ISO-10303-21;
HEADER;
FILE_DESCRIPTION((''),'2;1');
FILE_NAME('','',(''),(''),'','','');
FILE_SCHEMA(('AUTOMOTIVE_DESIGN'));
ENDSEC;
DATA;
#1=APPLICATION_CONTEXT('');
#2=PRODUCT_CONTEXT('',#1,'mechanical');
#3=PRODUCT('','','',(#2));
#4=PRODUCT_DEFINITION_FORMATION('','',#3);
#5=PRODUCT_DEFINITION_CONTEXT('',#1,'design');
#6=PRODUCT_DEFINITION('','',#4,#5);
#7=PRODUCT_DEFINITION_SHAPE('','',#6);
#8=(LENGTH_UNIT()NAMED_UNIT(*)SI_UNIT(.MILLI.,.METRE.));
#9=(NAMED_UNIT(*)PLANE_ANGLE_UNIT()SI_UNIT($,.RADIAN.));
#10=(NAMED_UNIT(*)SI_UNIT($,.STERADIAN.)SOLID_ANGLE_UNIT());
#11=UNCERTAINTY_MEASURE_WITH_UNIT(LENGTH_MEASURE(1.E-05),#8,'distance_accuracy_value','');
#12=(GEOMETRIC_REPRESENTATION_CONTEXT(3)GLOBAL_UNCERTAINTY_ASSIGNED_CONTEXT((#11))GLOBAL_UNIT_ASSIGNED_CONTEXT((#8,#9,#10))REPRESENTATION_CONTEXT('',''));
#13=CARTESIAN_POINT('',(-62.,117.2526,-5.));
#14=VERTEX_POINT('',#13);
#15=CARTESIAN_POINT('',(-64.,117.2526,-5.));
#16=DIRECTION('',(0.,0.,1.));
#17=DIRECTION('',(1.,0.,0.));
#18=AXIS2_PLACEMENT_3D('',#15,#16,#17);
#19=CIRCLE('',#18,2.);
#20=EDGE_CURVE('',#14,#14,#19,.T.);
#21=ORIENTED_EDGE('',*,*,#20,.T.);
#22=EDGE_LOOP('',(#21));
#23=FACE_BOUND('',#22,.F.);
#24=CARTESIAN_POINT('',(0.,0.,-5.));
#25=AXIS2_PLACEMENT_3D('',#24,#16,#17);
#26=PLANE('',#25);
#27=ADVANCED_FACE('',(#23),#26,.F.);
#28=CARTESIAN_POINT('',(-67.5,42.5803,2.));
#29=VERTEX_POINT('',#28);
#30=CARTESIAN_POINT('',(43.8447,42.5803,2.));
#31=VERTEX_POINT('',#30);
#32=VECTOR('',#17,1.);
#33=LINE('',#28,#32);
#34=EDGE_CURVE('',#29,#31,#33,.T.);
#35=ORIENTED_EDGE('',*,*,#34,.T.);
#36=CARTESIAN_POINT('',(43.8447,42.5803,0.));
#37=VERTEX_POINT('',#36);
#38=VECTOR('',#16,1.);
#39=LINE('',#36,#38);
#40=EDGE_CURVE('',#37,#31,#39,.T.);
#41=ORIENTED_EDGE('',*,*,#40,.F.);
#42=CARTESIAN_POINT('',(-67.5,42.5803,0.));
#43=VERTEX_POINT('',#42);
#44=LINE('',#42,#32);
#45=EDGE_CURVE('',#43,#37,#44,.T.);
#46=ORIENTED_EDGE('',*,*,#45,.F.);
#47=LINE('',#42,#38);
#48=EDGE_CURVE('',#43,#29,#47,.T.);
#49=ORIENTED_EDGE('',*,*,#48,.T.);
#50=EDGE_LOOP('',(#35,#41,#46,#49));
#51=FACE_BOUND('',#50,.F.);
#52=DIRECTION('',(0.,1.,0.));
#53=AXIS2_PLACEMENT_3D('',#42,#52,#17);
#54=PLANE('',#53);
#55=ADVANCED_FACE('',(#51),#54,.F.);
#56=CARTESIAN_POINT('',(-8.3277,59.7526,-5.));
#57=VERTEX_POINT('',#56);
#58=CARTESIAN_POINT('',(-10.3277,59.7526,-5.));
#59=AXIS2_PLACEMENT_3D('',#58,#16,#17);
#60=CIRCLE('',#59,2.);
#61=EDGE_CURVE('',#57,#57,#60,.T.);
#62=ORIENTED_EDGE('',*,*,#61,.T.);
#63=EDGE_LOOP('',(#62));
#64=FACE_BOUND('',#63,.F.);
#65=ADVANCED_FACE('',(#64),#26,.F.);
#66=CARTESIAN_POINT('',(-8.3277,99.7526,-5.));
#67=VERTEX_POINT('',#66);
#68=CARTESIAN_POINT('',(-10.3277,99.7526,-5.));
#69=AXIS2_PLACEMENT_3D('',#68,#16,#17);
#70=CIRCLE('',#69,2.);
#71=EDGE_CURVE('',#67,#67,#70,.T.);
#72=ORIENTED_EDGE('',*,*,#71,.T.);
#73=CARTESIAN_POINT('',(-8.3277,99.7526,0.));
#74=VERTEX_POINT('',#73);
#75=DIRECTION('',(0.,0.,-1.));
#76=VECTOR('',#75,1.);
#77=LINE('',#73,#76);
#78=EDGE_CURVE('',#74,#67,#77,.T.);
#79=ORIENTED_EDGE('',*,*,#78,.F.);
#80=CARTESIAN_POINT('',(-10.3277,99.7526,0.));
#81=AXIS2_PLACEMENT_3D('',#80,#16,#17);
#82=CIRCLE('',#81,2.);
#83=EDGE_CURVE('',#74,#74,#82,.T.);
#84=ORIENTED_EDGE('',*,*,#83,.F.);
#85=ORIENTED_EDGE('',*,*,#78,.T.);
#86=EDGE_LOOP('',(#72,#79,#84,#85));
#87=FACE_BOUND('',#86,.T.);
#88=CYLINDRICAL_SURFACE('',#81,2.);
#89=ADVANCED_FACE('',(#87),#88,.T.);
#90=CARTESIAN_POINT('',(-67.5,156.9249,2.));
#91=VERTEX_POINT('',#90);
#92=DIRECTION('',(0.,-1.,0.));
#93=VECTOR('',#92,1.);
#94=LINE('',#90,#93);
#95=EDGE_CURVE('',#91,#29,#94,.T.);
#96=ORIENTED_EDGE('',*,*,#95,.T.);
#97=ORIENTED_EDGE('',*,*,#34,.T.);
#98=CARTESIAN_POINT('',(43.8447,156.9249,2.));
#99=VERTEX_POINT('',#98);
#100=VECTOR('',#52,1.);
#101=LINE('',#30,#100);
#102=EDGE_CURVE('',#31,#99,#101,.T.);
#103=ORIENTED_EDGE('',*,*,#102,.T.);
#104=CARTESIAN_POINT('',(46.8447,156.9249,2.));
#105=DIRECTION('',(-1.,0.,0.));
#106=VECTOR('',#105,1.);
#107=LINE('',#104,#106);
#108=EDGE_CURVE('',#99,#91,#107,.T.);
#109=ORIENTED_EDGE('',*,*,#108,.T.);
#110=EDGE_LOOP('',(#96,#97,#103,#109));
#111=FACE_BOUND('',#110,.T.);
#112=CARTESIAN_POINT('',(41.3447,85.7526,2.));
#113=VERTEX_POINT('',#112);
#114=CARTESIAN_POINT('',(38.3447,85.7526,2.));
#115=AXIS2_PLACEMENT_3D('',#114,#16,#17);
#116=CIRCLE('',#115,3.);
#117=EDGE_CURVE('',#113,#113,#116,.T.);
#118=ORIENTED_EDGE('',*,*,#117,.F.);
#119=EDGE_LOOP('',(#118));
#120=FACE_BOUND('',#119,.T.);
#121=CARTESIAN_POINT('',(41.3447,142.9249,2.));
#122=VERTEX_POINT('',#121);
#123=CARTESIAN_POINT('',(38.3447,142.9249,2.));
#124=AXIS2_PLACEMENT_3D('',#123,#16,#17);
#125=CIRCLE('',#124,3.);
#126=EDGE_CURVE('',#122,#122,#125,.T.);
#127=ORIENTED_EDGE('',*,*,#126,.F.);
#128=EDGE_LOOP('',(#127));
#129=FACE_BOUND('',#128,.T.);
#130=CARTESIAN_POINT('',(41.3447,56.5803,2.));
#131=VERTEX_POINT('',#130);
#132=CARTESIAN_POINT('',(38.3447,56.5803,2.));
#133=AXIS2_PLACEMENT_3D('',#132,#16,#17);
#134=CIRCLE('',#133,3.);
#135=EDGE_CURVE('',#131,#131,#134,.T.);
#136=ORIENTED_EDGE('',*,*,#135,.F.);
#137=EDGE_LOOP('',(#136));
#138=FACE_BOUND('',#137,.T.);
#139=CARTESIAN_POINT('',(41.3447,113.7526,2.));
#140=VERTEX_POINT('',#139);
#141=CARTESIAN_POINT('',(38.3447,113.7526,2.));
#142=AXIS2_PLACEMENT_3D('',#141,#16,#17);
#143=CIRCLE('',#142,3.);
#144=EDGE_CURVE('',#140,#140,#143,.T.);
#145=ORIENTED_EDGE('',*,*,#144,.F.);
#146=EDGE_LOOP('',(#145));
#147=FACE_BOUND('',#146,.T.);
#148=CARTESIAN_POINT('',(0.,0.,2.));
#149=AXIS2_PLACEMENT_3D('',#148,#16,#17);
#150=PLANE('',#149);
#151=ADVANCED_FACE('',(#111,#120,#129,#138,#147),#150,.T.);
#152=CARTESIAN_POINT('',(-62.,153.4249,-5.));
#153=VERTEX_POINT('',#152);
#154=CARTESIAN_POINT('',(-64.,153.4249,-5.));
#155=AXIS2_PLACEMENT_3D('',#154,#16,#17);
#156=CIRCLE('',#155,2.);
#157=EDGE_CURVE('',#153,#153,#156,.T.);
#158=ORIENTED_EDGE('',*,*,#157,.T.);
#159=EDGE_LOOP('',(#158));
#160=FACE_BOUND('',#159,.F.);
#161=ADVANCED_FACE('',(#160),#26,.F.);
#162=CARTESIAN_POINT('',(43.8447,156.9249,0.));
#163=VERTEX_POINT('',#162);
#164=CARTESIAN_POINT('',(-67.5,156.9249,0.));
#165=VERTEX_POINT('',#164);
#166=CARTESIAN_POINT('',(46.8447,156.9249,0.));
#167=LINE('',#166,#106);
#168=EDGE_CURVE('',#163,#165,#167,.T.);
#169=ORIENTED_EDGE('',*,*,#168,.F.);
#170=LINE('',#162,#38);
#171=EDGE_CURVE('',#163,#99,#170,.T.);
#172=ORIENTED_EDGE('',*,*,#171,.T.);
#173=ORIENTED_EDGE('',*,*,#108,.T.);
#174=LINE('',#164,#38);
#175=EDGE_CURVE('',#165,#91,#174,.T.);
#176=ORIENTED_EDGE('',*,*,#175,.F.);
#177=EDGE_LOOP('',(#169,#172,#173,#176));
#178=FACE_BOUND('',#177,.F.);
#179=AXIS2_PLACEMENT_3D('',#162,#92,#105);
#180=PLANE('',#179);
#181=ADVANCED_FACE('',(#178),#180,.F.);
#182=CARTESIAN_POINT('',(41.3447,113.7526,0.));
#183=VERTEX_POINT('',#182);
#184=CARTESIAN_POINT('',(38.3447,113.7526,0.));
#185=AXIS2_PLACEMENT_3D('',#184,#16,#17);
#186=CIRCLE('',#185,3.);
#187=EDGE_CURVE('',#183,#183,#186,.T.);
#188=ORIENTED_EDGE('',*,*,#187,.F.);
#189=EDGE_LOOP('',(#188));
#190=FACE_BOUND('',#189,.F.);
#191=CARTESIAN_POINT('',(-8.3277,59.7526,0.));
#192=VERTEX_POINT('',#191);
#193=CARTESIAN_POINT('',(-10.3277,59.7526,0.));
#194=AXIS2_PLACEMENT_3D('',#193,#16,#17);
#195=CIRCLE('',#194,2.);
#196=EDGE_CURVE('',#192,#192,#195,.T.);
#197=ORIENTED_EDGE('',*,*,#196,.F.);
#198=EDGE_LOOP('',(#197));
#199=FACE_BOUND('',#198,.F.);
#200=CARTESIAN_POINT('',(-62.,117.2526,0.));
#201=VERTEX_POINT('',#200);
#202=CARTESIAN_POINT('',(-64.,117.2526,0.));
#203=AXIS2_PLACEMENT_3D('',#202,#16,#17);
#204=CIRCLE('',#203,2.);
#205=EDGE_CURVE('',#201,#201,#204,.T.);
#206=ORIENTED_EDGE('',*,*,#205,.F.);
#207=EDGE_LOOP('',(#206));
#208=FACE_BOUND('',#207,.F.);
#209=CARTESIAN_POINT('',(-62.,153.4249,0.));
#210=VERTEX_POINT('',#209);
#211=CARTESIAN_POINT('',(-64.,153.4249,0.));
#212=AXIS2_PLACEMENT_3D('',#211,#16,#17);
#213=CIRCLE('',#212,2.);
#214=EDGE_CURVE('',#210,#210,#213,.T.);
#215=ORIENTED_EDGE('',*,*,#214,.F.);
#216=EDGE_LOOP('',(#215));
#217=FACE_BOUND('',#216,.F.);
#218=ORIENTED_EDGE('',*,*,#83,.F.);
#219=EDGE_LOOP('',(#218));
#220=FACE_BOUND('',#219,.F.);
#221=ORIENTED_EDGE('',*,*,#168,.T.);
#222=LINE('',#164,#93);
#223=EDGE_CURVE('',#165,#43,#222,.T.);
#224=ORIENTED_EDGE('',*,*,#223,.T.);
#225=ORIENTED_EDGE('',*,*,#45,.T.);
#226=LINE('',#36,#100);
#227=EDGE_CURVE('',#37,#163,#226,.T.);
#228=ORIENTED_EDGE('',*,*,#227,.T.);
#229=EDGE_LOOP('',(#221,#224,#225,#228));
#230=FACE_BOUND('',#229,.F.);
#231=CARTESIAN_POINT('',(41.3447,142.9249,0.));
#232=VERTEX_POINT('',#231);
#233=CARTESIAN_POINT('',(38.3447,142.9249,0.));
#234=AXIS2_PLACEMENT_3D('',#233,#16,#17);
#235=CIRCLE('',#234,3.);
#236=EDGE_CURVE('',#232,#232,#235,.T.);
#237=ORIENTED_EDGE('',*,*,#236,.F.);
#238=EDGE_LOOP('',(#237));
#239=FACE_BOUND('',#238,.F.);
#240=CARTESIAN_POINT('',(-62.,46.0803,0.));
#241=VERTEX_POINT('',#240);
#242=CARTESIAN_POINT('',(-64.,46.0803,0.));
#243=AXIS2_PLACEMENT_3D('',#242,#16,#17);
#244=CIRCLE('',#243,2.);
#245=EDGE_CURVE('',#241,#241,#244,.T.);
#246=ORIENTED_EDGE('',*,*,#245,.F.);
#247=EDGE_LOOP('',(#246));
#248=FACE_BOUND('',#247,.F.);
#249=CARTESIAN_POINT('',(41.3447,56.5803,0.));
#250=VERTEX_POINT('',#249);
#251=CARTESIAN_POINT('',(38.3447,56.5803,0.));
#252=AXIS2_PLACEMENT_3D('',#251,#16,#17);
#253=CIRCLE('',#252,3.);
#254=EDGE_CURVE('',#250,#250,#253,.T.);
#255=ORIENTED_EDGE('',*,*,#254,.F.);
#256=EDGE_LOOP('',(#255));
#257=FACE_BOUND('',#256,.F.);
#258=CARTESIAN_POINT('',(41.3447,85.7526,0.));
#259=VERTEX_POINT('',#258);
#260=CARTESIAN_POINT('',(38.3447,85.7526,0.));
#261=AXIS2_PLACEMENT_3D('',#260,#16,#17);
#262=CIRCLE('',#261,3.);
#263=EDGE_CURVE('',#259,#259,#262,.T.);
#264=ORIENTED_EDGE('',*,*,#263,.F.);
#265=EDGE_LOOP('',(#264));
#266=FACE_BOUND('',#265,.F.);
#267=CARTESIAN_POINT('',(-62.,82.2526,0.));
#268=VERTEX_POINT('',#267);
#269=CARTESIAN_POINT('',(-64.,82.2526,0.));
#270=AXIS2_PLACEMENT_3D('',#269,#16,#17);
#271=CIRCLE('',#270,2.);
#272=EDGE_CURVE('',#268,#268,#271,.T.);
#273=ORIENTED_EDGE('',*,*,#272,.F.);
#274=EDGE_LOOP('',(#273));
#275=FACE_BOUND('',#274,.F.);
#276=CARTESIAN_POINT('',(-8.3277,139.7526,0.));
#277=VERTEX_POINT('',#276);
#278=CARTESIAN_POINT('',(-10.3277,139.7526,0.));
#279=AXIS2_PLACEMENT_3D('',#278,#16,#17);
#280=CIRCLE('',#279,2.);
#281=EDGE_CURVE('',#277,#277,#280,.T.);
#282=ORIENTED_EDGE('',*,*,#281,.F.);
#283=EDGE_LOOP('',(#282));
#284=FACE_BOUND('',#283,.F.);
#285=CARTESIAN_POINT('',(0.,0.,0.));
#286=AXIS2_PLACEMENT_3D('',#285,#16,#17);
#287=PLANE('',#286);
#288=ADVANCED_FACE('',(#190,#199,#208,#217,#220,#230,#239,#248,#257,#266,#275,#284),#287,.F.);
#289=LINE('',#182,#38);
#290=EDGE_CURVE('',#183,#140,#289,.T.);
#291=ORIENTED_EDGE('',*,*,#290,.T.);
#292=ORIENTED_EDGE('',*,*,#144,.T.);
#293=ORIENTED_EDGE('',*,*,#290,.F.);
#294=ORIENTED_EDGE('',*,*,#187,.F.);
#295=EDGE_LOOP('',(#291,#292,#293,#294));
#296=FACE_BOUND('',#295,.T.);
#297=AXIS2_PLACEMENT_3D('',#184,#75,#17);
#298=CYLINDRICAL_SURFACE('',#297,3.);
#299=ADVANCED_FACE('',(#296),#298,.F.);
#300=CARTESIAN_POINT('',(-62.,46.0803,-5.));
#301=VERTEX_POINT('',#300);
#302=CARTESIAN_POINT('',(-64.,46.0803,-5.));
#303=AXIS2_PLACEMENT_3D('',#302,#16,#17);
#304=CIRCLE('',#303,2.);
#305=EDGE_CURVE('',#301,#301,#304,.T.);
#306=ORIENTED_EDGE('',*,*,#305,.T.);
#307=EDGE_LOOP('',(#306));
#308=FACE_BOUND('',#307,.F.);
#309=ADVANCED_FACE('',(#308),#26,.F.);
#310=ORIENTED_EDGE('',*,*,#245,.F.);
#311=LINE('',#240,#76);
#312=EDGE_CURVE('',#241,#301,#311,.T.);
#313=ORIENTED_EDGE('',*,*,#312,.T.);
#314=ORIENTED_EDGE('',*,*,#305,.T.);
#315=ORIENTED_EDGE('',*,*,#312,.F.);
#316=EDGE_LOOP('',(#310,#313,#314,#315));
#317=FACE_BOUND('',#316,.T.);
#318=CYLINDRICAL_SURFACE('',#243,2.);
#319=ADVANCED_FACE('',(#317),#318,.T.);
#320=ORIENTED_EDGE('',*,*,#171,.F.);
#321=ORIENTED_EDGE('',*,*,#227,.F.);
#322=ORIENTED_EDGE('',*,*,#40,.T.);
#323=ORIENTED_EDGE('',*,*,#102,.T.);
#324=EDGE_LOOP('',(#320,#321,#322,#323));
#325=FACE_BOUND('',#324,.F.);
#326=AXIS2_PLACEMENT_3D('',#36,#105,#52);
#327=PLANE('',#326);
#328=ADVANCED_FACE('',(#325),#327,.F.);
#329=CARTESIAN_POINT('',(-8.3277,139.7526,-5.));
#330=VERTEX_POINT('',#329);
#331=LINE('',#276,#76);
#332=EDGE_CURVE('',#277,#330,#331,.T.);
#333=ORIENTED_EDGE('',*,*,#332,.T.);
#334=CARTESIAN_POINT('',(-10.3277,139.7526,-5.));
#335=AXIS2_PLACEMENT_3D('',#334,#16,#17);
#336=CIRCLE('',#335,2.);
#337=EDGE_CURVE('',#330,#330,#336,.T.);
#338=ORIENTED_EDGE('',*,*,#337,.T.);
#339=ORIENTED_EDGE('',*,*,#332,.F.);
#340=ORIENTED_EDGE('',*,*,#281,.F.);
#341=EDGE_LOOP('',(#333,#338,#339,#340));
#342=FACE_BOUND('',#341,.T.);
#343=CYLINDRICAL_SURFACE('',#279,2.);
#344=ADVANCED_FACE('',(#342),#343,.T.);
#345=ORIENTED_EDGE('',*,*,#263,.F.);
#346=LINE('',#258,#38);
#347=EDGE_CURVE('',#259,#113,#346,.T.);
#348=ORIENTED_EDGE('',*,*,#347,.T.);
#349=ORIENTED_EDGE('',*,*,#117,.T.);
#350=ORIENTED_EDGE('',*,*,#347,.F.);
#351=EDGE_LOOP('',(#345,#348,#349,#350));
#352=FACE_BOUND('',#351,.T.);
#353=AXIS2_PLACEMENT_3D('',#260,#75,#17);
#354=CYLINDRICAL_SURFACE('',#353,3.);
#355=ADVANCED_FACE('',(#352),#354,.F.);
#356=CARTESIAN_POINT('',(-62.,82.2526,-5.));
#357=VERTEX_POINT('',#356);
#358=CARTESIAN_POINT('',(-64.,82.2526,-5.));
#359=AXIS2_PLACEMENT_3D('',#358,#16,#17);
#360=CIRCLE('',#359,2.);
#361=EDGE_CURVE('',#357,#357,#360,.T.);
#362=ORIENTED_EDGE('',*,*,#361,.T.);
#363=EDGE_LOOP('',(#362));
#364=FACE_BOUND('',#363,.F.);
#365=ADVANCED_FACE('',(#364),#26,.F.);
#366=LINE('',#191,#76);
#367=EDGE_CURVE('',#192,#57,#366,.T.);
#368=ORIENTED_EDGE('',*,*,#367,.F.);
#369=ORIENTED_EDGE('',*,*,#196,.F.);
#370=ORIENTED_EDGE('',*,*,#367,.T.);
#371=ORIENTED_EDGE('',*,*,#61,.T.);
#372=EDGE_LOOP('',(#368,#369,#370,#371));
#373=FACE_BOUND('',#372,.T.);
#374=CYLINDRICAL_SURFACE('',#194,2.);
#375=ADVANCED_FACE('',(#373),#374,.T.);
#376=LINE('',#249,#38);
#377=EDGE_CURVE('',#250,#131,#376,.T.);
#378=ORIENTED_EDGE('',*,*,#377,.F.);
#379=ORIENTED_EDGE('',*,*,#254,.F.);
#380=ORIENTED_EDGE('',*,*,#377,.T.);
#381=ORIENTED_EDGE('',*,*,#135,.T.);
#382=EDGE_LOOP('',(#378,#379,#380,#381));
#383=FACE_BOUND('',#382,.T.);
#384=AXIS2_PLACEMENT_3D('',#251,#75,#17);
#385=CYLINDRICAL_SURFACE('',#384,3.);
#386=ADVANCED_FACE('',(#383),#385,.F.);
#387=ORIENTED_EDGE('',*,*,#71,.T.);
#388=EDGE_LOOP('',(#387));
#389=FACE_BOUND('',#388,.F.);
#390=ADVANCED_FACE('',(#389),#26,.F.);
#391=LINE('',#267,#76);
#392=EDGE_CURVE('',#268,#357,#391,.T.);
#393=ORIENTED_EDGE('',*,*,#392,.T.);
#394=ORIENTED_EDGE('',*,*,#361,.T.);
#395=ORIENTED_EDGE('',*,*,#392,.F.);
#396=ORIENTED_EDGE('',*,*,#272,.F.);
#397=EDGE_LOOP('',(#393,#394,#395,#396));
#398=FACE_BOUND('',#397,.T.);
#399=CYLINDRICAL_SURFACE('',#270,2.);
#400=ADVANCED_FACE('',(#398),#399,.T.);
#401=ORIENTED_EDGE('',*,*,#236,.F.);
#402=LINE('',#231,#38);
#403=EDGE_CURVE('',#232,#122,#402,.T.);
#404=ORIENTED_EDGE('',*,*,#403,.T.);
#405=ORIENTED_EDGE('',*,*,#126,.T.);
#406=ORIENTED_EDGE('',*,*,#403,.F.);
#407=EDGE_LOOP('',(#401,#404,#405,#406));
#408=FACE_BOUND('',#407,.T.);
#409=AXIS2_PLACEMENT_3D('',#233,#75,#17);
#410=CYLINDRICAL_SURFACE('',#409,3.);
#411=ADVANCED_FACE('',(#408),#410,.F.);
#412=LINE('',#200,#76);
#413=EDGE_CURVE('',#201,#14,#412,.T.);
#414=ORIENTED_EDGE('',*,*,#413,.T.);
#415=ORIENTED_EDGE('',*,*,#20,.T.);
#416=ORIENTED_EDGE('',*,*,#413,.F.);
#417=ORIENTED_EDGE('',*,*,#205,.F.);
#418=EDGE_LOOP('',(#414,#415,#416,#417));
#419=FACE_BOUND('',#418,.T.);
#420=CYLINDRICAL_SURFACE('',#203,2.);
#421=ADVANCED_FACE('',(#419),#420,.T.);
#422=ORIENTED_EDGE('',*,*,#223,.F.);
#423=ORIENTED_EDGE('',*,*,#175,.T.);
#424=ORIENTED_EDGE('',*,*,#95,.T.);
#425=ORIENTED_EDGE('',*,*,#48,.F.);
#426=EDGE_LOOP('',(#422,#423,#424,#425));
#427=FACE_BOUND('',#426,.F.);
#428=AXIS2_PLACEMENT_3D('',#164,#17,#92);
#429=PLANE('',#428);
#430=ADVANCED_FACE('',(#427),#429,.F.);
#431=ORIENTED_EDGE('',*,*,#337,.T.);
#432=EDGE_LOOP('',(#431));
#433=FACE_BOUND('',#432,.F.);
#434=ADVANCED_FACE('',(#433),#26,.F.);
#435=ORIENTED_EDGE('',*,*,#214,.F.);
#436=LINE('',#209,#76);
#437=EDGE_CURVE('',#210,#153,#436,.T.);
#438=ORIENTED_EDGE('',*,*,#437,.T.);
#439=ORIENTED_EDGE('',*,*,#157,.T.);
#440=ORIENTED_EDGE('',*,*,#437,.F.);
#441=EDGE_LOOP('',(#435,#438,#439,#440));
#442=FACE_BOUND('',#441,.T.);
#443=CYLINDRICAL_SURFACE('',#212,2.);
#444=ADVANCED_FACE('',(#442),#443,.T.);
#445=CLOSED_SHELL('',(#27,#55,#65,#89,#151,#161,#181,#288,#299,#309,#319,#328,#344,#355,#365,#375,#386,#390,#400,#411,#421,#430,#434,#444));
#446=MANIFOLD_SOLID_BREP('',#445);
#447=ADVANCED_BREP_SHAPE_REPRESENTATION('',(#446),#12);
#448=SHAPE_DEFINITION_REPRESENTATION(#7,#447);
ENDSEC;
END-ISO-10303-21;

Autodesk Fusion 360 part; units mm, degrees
sketch "Sketch1" plane through (0, 0, 0) normal (0, 0, 1) x (1, 0, 0)
  line L0 (46.8447, 156.9249) -> (-67.5, 156.9249)
  line L1 (-67.5, 156.9249) -> (-67.5, 42.5803)
  line L2 (43.8447, 42.5803) -> (43.8447, 156.9249)
  line L3 (-67.5, 42.5803) -> (46.8447, 42.5803)
  circle A0 centre (38.3447, 142.9249) radius 3
  circle A1 centre (38.3447, 113.7526) radius 3
  circle A2 centre (38.3447, 85.7526) radius 3
  circle A3 centre (38.3447, 56.5803) radius 3
  circle A4 centre (-10.3277, 59.7526) radius 2
  circle A5 centre (-64, 46.0803) radius 2
  circle A6 centre (-64, 82.2526) radius 2
  circle A7 centre (-10.3277, 99.7526) radius 2
  circle A8 centre (-10.3277, 139.7526) radius 2
  circle A9 centre (-64, 153.4249) radius 2
  circle A10 centre (-64, 117.2526) radius 2
  dimension "d687" = 6
  dimension "d688" = 4
  dimension "d689" = 10.3277
  dimension "d690" = 54.1723
  dimension "d691" = 53.6723
  dimension "d692" = 48.6723
  dimension "d693" = 114.3447
  dimension "d694" = 57.1723
  dimension "d695" = 17.1723
  dimension "d696" = 97.1723
  dimension "d697" = 57.1723
  dimension "d698" = 59.7526
  dimension "d699" = 93.6723
  dimension "d700" = 83.1723
  dimension "d701" = 80
  dimension "d702" = 57.5
  dimension "d703" = 54
  dimension "d704" = 26
  dimension "d705" = 22.5
  dimension "d706" = 13.6723
  dimension "d707" = 3.1723
extrude "Extrude1" add sketch "Sketch1" along normal blind 2 contours L0 L1 L2 L3 | A4 | A5 | A6 | A7 | A8 | A9 | A10
extrude "Extrude2" add sketch "Sketch1" against normal blind 5 contours A4 | A5 | A6 | A7 | A8 | A9 | A10
